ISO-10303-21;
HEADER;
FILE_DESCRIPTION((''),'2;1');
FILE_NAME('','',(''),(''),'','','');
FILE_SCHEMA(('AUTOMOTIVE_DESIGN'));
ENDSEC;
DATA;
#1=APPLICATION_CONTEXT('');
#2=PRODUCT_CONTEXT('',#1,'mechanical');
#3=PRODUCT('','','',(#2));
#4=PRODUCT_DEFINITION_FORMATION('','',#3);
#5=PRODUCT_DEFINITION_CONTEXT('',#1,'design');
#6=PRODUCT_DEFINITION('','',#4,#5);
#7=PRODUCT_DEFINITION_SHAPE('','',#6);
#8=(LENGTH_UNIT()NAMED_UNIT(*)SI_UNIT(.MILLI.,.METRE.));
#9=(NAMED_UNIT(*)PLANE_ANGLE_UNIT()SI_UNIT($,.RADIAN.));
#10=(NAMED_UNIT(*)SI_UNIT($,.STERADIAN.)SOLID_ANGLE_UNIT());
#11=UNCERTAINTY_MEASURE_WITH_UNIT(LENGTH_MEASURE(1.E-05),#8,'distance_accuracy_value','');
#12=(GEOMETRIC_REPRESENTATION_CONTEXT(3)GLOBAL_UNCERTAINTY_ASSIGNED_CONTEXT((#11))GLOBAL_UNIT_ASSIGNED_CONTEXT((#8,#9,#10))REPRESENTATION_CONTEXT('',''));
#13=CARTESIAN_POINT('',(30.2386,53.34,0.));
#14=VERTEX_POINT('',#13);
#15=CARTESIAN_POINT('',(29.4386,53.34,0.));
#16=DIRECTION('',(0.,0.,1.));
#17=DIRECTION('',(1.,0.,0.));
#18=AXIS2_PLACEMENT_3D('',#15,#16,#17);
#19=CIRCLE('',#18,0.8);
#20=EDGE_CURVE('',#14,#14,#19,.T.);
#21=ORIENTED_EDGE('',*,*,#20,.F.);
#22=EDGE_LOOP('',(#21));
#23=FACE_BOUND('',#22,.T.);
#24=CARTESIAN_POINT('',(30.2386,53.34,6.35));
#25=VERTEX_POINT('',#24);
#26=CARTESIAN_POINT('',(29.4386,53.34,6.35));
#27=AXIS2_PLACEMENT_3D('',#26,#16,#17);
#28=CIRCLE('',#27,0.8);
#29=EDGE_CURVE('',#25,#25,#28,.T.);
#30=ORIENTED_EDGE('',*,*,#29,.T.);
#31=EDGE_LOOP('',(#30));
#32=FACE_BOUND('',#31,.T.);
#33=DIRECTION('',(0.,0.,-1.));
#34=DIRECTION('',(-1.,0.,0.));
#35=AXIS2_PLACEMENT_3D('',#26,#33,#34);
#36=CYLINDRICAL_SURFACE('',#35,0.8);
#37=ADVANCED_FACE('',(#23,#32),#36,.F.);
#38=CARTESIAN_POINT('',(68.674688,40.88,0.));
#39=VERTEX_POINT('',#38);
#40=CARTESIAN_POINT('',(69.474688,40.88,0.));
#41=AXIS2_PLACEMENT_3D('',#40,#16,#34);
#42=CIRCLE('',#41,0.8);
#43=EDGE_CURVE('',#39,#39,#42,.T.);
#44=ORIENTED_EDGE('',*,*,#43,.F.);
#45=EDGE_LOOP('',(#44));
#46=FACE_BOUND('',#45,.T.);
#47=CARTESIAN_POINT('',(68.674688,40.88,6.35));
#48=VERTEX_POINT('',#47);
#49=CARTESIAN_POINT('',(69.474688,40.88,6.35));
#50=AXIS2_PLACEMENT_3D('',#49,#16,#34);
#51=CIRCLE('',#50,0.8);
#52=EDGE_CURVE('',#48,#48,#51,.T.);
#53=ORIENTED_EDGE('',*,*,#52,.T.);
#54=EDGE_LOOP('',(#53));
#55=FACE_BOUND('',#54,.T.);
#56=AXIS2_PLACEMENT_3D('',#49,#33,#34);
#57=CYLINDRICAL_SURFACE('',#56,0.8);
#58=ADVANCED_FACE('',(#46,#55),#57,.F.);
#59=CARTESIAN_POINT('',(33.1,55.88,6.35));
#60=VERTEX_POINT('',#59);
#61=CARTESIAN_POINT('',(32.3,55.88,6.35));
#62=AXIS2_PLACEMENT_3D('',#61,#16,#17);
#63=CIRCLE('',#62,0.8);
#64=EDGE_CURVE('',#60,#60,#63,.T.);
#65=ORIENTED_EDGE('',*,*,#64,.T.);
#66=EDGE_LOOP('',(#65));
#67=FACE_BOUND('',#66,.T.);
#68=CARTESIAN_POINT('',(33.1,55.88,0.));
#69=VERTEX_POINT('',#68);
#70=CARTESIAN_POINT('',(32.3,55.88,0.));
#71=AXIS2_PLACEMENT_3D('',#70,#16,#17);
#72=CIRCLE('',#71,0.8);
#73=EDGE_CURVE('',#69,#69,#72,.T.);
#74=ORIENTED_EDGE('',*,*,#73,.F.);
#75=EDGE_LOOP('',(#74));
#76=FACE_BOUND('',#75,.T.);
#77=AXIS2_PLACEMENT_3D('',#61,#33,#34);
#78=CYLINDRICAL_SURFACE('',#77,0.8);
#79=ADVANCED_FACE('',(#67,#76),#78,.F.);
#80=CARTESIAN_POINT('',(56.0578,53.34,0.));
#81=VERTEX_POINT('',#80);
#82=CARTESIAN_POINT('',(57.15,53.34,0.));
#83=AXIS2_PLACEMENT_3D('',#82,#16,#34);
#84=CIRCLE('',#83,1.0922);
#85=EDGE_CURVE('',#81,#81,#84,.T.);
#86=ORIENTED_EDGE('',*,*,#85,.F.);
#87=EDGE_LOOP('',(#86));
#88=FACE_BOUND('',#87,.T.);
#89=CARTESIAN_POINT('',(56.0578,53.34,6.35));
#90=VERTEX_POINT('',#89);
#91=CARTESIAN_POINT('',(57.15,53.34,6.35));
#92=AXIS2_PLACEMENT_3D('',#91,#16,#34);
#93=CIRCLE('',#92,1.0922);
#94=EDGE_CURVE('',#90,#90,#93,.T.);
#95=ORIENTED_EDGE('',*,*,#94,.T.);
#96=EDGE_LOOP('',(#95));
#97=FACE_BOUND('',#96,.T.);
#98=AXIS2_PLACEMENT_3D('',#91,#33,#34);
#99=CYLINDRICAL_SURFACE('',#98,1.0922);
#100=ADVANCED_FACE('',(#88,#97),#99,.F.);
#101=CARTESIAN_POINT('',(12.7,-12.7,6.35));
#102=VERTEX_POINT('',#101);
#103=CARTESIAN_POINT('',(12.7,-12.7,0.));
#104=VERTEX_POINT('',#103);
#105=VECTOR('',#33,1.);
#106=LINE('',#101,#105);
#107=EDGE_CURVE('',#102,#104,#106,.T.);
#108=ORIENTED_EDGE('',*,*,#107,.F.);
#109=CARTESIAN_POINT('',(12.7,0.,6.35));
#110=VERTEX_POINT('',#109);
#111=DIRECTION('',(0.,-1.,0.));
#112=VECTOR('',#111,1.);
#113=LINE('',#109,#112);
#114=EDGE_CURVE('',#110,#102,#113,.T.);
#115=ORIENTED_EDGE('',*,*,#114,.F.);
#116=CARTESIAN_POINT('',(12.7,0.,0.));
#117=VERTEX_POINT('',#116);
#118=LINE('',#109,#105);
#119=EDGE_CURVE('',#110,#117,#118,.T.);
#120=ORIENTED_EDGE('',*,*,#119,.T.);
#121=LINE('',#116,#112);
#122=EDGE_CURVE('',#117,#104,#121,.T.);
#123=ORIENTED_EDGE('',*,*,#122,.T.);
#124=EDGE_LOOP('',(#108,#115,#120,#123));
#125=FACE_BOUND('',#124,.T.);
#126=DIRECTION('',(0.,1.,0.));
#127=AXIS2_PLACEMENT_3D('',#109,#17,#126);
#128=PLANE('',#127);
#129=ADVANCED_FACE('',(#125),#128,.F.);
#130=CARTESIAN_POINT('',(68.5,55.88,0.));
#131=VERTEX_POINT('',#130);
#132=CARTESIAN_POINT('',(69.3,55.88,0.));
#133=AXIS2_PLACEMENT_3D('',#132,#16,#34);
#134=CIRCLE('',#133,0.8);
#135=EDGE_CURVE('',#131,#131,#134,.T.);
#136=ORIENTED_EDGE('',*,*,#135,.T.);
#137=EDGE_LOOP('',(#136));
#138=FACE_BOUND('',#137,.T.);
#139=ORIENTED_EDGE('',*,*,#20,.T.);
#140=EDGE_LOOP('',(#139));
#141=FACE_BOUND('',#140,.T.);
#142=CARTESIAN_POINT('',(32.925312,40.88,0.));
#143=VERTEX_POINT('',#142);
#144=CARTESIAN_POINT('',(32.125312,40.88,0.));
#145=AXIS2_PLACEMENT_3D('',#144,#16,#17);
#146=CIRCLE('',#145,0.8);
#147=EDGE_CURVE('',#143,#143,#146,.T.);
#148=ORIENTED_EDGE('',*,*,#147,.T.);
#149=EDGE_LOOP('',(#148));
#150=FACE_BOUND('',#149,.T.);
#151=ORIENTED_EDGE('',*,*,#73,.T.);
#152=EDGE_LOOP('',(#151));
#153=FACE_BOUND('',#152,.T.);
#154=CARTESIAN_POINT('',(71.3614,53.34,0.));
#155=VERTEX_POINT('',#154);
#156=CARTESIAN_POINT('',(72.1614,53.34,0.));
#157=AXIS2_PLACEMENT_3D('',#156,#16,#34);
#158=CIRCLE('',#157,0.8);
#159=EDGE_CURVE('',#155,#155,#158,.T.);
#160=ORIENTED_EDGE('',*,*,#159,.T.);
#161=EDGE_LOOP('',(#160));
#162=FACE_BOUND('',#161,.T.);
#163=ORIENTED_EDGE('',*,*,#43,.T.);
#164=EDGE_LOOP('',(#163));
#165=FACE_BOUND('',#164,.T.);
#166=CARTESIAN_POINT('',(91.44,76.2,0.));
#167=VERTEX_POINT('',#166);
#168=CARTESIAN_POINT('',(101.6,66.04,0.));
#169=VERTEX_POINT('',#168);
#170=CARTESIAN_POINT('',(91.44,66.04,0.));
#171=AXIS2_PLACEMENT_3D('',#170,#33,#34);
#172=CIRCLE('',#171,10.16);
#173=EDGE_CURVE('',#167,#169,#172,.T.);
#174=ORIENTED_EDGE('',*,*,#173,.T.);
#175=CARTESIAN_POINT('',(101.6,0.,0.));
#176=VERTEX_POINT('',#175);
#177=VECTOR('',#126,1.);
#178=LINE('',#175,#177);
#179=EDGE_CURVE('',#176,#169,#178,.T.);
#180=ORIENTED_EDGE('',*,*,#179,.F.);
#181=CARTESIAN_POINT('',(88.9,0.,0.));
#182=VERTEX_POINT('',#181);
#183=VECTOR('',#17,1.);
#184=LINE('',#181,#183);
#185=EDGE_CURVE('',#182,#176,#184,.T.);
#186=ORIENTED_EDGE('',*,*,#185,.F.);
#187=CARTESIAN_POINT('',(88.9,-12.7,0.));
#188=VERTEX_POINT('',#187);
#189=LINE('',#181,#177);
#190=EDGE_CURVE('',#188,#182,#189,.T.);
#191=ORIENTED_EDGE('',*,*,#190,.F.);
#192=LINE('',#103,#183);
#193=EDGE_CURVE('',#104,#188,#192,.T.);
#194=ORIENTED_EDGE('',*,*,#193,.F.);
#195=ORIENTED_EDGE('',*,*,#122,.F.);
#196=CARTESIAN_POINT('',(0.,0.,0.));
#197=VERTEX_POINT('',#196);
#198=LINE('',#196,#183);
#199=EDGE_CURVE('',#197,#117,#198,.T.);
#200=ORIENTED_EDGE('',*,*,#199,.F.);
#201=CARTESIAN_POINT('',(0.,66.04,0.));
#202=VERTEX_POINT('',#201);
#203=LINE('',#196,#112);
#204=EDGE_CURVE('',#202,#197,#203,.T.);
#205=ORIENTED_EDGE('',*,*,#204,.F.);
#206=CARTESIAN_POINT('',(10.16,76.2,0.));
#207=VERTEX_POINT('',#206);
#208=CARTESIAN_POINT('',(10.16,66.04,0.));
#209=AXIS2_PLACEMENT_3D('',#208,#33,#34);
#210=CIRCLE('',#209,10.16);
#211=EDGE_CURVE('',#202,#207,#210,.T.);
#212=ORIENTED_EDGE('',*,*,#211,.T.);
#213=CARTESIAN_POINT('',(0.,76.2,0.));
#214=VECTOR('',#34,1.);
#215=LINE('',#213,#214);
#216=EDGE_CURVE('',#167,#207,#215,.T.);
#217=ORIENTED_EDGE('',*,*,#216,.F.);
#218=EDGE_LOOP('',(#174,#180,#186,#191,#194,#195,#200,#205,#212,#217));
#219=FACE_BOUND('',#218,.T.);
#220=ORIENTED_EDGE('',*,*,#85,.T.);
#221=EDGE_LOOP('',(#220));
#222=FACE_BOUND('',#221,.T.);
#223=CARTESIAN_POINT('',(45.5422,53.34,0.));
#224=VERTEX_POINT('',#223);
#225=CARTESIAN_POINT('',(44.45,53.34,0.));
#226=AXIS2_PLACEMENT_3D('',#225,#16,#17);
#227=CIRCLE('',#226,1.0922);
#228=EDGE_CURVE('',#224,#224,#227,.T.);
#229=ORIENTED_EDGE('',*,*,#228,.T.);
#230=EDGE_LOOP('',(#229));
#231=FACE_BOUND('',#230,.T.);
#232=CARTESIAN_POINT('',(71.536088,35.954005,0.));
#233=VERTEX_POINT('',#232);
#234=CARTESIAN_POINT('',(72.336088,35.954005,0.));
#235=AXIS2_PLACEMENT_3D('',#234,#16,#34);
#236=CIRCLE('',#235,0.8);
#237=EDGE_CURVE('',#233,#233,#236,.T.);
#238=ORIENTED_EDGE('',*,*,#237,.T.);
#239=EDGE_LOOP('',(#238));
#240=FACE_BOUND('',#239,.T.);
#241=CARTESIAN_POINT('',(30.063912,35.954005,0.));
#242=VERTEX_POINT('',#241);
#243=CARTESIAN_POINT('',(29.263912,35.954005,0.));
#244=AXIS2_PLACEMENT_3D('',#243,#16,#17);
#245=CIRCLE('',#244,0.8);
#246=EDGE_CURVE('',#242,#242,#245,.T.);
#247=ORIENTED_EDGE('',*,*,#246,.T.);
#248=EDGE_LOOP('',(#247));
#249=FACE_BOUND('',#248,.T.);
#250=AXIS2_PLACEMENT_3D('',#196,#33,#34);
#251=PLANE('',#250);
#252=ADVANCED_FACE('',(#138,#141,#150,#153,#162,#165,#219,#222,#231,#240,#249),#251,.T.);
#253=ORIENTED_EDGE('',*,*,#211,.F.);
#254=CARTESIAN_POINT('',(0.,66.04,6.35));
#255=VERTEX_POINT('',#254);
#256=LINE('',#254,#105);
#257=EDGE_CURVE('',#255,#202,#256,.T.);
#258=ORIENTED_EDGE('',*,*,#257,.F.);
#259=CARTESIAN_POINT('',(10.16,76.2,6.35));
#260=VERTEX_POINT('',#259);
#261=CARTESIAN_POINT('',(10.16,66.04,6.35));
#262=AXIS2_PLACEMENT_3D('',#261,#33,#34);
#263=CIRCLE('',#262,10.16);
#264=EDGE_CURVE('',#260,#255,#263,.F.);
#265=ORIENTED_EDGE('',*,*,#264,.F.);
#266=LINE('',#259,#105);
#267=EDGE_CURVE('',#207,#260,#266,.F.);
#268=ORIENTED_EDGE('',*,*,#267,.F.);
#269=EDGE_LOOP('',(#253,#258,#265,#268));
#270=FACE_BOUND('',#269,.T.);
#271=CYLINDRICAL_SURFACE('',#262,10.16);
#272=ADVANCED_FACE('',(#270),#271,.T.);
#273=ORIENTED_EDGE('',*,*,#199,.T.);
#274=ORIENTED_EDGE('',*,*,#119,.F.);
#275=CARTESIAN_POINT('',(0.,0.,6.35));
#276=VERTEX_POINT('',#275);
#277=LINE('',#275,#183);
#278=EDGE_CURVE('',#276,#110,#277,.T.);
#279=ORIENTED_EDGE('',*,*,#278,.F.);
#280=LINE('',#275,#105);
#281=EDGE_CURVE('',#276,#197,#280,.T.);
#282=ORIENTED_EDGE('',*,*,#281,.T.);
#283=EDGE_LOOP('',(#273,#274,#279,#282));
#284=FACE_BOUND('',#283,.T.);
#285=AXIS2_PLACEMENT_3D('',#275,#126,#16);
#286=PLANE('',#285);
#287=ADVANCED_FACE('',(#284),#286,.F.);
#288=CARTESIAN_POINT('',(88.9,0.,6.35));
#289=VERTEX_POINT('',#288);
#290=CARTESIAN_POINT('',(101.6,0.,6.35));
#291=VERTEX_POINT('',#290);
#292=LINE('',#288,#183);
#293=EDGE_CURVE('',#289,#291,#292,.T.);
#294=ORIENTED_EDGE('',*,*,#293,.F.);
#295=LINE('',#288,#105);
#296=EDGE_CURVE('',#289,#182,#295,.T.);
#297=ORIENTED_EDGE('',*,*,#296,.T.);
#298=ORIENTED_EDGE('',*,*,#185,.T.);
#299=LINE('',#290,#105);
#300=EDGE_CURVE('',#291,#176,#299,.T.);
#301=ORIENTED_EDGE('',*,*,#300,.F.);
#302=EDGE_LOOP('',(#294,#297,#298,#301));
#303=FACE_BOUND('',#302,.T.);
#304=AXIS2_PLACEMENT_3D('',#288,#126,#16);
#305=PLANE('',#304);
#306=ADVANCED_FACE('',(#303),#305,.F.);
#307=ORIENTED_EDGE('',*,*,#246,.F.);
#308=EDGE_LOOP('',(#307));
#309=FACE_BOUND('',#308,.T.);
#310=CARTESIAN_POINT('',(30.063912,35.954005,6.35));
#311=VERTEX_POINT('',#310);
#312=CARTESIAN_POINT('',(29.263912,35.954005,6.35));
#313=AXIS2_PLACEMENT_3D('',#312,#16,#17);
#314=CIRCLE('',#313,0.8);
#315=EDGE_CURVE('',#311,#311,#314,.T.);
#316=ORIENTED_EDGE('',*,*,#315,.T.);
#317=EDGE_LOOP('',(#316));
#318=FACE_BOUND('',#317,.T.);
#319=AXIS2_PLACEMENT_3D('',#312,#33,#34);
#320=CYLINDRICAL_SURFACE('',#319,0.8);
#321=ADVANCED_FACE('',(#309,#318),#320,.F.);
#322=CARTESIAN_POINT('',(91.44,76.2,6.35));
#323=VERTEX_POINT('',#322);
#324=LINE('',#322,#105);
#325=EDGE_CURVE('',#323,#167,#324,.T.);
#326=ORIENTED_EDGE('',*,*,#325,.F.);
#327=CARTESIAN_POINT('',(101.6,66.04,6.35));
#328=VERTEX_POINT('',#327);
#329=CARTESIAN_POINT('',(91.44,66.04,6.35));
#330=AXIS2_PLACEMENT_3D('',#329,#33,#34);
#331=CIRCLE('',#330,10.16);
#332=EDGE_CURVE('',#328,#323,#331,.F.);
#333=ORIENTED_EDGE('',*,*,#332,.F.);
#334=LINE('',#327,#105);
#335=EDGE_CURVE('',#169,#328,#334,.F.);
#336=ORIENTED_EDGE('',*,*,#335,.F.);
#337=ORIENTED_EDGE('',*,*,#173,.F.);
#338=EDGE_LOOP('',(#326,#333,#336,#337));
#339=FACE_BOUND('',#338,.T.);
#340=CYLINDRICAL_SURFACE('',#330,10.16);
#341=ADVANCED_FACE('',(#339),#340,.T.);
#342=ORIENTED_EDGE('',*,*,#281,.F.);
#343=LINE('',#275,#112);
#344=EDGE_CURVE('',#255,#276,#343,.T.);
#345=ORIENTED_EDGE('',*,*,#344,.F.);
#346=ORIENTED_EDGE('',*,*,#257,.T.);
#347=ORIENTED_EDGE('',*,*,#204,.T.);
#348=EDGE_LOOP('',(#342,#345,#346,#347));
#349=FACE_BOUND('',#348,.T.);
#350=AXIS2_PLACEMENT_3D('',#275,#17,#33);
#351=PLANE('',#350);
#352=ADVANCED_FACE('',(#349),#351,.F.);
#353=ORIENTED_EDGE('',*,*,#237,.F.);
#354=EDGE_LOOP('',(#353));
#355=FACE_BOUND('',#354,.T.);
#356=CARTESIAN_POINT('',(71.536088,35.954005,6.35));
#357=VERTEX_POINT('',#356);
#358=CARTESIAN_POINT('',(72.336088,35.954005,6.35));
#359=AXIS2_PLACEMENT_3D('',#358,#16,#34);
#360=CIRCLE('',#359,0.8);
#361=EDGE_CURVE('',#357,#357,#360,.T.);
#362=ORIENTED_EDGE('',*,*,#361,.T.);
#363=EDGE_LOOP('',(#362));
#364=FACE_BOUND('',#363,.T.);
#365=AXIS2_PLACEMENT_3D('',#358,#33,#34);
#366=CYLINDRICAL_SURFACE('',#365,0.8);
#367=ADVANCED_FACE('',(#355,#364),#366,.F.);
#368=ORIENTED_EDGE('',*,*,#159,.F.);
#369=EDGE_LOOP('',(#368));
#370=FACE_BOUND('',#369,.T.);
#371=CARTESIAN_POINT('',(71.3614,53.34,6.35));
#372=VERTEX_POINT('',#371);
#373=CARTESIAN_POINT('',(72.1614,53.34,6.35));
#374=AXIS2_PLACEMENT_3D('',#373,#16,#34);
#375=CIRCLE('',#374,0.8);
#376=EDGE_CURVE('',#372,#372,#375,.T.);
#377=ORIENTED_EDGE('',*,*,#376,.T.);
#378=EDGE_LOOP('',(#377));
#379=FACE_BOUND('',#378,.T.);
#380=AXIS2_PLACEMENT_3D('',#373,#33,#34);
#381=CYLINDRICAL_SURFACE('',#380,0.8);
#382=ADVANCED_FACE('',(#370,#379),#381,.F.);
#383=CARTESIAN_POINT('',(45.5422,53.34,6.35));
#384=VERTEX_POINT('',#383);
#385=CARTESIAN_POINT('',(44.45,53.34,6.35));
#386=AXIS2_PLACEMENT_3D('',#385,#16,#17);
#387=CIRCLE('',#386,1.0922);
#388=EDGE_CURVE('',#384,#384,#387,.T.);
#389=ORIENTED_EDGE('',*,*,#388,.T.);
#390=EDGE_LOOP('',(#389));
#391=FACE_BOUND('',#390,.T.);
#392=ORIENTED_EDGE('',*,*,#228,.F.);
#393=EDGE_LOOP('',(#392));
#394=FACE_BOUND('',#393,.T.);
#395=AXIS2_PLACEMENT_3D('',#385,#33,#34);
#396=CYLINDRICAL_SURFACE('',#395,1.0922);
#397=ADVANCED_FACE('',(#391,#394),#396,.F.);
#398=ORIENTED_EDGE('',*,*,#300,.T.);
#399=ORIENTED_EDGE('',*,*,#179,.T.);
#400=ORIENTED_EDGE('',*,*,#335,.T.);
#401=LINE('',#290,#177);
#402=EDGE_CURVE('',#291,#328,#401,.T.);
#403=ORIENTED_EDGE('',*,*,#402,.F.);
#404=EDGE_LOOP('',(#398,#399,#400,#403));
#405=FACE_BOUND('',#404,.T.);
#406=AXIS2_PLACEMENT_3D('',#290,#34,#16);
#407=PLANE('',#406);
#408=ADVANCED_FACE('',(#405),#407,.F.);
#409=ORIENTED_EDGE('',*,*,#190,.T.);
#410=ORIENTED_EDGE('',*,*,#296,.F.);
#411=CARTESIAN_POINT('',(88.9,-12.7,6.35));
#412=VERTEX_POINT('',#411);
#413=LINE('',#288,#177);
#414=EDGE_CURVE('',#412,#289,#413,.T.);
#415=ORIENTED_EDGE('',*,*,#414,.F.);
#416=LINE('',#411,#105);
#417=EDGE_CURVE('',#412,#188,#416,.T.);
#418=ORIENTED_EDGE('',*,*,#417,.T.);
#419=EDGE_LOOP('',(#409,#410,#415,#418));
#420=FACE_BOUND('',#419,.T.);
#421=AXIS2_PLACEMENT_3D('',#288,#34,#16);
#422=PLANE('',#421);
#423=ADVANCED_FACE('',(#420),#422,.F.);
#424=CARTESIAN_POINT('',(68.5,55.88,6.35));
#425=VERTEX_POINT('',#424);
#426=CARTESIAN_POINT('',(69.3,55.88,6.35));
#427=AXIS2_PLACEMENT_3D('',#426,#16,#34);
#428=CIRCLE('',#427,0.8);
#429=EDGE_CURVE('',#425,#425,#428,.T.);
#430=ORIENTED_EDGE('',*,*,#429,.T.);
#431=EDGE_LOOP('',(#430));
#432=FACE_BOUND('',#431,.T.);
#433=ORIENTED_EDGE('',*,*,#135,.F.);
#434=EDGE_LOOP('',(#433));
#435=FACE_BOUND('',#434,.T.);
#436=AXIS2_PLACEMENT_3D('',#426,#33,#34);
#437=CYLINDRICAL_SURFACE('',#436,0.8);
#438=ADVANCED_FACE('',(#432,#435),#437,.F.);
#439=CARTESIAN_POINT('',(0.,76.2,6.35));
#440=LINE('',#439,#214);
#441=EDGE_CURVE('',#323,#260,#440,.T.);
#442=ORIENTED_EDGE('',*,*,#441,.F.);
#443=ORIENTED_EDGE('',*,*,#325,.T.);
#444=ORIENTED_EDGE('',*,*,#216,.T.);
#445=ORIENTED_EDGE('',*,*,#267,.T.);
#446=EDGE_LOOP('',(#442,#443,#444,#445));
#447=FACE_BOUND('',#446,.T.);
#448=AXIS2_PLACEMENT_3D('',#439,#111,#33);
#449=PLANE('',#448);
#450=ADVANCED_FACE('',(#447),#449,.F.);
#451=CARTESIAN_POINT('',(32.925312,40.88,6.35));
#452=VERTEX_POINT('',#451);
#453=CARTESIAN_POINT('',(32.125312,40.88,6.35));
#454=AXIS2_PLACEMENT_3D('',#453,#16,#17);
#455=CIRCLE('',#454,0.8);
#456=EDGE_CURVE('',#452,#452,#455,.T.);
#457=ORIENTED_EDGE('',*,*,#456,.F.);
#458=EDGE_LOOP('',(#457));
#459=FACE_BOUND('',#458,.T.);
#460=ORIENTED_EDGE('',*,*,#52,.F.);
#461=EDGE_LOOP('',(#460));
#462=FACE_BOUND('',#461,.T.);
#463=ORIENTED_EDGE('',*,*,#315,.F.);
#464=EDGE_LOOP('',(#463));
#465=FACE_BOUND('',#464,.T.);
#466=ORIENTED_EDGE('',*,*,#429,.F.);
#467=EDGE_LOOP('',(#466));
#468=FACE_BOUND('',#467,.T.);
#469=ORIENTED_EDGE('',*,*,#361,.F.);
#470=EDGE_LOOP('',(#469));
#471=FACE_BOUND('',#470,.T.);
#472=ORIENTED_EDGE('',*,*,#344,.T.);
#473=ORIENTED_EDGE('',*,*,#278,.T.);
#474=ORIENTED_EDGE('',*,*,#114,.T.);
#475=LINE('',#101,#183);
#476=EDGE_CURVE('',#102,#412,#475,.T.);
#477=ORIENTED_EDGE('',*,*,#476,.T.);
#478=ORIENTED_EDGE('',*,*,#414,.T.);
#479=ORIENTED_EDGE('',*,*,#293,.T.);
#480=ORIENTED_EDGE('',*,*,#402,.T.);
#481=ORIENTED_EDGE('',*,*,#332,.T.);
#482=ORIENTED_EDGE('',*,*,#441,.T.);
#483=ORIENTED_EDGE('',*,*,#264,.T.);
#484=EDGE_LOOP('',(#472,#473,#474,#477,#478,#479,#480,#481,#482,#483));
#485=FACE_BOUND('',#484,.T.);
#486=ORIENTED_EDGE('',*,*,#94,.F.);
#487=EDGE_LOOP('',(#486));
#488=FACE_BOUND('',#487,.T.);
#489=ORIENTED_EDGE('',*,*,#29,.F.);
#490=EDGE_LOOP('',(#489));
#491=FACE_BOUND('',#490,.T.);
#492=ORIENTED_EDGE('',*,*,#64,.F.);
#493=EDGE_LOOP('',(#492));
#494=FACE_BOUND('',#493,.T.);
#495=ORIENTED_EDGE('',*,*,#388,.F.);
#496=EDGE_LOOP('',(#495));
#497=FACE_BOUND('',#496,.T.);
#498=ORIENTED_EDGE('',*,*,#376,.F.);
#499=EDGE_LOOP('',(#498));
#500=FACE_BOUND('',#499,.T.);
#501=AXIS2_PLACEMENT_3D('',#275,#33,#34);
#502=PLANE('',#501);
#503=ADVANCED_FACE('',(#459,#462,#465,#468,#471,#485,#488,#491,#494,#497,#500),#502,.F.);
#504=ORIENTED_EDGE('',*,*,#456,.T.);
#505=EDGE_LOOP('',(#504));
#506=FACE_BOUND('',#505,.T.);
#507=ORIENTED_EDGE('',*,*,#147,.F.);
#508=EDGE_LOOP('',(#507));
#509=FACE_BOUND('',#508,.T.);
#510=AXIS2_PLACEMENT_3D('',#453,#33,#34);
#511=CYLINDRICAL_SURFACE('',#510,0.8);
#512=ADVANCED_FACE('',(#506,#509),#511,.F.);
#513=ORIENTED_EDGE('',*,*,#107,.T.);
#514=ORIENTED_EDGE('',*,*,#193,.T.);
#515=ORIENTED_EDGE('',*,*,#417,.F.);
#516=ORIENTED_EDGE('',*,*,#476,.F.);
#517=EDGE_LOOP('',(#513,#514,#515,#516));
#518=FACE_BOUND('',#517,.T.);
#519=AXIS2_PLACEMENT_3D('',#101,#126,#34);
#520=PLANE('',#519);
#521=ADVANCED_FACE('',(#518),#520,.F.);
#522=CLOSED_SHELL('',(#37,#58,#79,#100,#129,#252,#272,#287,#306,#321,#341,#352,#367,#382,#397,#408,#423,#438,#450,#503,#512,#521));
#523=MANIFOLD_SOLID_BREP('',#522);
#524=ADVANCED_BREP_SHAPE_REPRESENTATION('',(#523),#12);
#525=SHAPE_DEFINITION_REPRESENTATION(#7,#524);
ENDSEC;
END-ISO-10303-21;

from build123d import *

# Parameters (mm, degrees)
SKETCH1_R           = 1.0922
SKETCH1_R_2         = 0.8
BOSS_EXTRUDE1_DEPTH = 6.35
FILLET1_R           = 10.16


with BuildPart() as part:
    # Sketch1 → Boss-Extrude1 (new body)
    with BuildSketch(Plane.XY):
        Polygon((88.9, 0), (101.6, 0), (101.6, 76.2), (0, 76.2), (0, 0), (12.7, 0), (12.7, -12.7), (88.9, -12.7), align=None)
        with Locations((44.45, 53.34)):
            Circle(SKETCH1_R, mode=Mode.SUBTRACT)
        with Locations(Location((57.15, 53.34, 0), (0, 0, 180))):
            Circle(SKETCH1_R, mode=Mode.SUBTRACT)
        with Locations((32.3, 55.88)):
            Circle(SKETCH1_R_2, mode=Mode.SUBTRACT)
        with Locations(Location((69.3, 55.88, 0), (0, 0, 180))):
            Circle(SKETCH1_R_2, mode=Mode.SUBTRACT)
        with Locations((32.125311619, 40.88)):
            Circle(SKETCH1_R_2, mode=Mode.SUBTRACT)
        with Locations(Location((69.474688381, 40.88, 0), (0, 0, 180))):
            Circle(SKETCH1_R_2, mode=Mode.SUBTRACT)
        with Locations((29.4386, 53.34)):
            Circle(SKETCH1_R_2, mode=Mode.SUBTRACT)
        with Locations((29.263911619, 35.9540048)):
            Circle(SKETCH1_R_2, mode=Mode.SUBTRACT)
        with Locations(Location((72.336088381, 35.9540048, 0), (0, 0, 180))):
            Circle(SKETCH1_R_2, mode=Mode.SUBTRACT)
        with Locations(Location((72.1614, 53.34, 0), (0, 0, 180))):
            Circle(SKETCH1_R_2, mode=Mode.SUBTRACT)
    extrude(amount=BOSS_EXTRUDE1_DEPTH)

    # Fillet1
    fillet1_edges = [part.edges().sort_by_distance(p)[0] for p in [
        (0, 76.2, 3.175),
        (101.6, 76.2, 3.175),
    ]]
    fillet(fillet1_edges, radius=FILLET1_R)


solid = part.part
